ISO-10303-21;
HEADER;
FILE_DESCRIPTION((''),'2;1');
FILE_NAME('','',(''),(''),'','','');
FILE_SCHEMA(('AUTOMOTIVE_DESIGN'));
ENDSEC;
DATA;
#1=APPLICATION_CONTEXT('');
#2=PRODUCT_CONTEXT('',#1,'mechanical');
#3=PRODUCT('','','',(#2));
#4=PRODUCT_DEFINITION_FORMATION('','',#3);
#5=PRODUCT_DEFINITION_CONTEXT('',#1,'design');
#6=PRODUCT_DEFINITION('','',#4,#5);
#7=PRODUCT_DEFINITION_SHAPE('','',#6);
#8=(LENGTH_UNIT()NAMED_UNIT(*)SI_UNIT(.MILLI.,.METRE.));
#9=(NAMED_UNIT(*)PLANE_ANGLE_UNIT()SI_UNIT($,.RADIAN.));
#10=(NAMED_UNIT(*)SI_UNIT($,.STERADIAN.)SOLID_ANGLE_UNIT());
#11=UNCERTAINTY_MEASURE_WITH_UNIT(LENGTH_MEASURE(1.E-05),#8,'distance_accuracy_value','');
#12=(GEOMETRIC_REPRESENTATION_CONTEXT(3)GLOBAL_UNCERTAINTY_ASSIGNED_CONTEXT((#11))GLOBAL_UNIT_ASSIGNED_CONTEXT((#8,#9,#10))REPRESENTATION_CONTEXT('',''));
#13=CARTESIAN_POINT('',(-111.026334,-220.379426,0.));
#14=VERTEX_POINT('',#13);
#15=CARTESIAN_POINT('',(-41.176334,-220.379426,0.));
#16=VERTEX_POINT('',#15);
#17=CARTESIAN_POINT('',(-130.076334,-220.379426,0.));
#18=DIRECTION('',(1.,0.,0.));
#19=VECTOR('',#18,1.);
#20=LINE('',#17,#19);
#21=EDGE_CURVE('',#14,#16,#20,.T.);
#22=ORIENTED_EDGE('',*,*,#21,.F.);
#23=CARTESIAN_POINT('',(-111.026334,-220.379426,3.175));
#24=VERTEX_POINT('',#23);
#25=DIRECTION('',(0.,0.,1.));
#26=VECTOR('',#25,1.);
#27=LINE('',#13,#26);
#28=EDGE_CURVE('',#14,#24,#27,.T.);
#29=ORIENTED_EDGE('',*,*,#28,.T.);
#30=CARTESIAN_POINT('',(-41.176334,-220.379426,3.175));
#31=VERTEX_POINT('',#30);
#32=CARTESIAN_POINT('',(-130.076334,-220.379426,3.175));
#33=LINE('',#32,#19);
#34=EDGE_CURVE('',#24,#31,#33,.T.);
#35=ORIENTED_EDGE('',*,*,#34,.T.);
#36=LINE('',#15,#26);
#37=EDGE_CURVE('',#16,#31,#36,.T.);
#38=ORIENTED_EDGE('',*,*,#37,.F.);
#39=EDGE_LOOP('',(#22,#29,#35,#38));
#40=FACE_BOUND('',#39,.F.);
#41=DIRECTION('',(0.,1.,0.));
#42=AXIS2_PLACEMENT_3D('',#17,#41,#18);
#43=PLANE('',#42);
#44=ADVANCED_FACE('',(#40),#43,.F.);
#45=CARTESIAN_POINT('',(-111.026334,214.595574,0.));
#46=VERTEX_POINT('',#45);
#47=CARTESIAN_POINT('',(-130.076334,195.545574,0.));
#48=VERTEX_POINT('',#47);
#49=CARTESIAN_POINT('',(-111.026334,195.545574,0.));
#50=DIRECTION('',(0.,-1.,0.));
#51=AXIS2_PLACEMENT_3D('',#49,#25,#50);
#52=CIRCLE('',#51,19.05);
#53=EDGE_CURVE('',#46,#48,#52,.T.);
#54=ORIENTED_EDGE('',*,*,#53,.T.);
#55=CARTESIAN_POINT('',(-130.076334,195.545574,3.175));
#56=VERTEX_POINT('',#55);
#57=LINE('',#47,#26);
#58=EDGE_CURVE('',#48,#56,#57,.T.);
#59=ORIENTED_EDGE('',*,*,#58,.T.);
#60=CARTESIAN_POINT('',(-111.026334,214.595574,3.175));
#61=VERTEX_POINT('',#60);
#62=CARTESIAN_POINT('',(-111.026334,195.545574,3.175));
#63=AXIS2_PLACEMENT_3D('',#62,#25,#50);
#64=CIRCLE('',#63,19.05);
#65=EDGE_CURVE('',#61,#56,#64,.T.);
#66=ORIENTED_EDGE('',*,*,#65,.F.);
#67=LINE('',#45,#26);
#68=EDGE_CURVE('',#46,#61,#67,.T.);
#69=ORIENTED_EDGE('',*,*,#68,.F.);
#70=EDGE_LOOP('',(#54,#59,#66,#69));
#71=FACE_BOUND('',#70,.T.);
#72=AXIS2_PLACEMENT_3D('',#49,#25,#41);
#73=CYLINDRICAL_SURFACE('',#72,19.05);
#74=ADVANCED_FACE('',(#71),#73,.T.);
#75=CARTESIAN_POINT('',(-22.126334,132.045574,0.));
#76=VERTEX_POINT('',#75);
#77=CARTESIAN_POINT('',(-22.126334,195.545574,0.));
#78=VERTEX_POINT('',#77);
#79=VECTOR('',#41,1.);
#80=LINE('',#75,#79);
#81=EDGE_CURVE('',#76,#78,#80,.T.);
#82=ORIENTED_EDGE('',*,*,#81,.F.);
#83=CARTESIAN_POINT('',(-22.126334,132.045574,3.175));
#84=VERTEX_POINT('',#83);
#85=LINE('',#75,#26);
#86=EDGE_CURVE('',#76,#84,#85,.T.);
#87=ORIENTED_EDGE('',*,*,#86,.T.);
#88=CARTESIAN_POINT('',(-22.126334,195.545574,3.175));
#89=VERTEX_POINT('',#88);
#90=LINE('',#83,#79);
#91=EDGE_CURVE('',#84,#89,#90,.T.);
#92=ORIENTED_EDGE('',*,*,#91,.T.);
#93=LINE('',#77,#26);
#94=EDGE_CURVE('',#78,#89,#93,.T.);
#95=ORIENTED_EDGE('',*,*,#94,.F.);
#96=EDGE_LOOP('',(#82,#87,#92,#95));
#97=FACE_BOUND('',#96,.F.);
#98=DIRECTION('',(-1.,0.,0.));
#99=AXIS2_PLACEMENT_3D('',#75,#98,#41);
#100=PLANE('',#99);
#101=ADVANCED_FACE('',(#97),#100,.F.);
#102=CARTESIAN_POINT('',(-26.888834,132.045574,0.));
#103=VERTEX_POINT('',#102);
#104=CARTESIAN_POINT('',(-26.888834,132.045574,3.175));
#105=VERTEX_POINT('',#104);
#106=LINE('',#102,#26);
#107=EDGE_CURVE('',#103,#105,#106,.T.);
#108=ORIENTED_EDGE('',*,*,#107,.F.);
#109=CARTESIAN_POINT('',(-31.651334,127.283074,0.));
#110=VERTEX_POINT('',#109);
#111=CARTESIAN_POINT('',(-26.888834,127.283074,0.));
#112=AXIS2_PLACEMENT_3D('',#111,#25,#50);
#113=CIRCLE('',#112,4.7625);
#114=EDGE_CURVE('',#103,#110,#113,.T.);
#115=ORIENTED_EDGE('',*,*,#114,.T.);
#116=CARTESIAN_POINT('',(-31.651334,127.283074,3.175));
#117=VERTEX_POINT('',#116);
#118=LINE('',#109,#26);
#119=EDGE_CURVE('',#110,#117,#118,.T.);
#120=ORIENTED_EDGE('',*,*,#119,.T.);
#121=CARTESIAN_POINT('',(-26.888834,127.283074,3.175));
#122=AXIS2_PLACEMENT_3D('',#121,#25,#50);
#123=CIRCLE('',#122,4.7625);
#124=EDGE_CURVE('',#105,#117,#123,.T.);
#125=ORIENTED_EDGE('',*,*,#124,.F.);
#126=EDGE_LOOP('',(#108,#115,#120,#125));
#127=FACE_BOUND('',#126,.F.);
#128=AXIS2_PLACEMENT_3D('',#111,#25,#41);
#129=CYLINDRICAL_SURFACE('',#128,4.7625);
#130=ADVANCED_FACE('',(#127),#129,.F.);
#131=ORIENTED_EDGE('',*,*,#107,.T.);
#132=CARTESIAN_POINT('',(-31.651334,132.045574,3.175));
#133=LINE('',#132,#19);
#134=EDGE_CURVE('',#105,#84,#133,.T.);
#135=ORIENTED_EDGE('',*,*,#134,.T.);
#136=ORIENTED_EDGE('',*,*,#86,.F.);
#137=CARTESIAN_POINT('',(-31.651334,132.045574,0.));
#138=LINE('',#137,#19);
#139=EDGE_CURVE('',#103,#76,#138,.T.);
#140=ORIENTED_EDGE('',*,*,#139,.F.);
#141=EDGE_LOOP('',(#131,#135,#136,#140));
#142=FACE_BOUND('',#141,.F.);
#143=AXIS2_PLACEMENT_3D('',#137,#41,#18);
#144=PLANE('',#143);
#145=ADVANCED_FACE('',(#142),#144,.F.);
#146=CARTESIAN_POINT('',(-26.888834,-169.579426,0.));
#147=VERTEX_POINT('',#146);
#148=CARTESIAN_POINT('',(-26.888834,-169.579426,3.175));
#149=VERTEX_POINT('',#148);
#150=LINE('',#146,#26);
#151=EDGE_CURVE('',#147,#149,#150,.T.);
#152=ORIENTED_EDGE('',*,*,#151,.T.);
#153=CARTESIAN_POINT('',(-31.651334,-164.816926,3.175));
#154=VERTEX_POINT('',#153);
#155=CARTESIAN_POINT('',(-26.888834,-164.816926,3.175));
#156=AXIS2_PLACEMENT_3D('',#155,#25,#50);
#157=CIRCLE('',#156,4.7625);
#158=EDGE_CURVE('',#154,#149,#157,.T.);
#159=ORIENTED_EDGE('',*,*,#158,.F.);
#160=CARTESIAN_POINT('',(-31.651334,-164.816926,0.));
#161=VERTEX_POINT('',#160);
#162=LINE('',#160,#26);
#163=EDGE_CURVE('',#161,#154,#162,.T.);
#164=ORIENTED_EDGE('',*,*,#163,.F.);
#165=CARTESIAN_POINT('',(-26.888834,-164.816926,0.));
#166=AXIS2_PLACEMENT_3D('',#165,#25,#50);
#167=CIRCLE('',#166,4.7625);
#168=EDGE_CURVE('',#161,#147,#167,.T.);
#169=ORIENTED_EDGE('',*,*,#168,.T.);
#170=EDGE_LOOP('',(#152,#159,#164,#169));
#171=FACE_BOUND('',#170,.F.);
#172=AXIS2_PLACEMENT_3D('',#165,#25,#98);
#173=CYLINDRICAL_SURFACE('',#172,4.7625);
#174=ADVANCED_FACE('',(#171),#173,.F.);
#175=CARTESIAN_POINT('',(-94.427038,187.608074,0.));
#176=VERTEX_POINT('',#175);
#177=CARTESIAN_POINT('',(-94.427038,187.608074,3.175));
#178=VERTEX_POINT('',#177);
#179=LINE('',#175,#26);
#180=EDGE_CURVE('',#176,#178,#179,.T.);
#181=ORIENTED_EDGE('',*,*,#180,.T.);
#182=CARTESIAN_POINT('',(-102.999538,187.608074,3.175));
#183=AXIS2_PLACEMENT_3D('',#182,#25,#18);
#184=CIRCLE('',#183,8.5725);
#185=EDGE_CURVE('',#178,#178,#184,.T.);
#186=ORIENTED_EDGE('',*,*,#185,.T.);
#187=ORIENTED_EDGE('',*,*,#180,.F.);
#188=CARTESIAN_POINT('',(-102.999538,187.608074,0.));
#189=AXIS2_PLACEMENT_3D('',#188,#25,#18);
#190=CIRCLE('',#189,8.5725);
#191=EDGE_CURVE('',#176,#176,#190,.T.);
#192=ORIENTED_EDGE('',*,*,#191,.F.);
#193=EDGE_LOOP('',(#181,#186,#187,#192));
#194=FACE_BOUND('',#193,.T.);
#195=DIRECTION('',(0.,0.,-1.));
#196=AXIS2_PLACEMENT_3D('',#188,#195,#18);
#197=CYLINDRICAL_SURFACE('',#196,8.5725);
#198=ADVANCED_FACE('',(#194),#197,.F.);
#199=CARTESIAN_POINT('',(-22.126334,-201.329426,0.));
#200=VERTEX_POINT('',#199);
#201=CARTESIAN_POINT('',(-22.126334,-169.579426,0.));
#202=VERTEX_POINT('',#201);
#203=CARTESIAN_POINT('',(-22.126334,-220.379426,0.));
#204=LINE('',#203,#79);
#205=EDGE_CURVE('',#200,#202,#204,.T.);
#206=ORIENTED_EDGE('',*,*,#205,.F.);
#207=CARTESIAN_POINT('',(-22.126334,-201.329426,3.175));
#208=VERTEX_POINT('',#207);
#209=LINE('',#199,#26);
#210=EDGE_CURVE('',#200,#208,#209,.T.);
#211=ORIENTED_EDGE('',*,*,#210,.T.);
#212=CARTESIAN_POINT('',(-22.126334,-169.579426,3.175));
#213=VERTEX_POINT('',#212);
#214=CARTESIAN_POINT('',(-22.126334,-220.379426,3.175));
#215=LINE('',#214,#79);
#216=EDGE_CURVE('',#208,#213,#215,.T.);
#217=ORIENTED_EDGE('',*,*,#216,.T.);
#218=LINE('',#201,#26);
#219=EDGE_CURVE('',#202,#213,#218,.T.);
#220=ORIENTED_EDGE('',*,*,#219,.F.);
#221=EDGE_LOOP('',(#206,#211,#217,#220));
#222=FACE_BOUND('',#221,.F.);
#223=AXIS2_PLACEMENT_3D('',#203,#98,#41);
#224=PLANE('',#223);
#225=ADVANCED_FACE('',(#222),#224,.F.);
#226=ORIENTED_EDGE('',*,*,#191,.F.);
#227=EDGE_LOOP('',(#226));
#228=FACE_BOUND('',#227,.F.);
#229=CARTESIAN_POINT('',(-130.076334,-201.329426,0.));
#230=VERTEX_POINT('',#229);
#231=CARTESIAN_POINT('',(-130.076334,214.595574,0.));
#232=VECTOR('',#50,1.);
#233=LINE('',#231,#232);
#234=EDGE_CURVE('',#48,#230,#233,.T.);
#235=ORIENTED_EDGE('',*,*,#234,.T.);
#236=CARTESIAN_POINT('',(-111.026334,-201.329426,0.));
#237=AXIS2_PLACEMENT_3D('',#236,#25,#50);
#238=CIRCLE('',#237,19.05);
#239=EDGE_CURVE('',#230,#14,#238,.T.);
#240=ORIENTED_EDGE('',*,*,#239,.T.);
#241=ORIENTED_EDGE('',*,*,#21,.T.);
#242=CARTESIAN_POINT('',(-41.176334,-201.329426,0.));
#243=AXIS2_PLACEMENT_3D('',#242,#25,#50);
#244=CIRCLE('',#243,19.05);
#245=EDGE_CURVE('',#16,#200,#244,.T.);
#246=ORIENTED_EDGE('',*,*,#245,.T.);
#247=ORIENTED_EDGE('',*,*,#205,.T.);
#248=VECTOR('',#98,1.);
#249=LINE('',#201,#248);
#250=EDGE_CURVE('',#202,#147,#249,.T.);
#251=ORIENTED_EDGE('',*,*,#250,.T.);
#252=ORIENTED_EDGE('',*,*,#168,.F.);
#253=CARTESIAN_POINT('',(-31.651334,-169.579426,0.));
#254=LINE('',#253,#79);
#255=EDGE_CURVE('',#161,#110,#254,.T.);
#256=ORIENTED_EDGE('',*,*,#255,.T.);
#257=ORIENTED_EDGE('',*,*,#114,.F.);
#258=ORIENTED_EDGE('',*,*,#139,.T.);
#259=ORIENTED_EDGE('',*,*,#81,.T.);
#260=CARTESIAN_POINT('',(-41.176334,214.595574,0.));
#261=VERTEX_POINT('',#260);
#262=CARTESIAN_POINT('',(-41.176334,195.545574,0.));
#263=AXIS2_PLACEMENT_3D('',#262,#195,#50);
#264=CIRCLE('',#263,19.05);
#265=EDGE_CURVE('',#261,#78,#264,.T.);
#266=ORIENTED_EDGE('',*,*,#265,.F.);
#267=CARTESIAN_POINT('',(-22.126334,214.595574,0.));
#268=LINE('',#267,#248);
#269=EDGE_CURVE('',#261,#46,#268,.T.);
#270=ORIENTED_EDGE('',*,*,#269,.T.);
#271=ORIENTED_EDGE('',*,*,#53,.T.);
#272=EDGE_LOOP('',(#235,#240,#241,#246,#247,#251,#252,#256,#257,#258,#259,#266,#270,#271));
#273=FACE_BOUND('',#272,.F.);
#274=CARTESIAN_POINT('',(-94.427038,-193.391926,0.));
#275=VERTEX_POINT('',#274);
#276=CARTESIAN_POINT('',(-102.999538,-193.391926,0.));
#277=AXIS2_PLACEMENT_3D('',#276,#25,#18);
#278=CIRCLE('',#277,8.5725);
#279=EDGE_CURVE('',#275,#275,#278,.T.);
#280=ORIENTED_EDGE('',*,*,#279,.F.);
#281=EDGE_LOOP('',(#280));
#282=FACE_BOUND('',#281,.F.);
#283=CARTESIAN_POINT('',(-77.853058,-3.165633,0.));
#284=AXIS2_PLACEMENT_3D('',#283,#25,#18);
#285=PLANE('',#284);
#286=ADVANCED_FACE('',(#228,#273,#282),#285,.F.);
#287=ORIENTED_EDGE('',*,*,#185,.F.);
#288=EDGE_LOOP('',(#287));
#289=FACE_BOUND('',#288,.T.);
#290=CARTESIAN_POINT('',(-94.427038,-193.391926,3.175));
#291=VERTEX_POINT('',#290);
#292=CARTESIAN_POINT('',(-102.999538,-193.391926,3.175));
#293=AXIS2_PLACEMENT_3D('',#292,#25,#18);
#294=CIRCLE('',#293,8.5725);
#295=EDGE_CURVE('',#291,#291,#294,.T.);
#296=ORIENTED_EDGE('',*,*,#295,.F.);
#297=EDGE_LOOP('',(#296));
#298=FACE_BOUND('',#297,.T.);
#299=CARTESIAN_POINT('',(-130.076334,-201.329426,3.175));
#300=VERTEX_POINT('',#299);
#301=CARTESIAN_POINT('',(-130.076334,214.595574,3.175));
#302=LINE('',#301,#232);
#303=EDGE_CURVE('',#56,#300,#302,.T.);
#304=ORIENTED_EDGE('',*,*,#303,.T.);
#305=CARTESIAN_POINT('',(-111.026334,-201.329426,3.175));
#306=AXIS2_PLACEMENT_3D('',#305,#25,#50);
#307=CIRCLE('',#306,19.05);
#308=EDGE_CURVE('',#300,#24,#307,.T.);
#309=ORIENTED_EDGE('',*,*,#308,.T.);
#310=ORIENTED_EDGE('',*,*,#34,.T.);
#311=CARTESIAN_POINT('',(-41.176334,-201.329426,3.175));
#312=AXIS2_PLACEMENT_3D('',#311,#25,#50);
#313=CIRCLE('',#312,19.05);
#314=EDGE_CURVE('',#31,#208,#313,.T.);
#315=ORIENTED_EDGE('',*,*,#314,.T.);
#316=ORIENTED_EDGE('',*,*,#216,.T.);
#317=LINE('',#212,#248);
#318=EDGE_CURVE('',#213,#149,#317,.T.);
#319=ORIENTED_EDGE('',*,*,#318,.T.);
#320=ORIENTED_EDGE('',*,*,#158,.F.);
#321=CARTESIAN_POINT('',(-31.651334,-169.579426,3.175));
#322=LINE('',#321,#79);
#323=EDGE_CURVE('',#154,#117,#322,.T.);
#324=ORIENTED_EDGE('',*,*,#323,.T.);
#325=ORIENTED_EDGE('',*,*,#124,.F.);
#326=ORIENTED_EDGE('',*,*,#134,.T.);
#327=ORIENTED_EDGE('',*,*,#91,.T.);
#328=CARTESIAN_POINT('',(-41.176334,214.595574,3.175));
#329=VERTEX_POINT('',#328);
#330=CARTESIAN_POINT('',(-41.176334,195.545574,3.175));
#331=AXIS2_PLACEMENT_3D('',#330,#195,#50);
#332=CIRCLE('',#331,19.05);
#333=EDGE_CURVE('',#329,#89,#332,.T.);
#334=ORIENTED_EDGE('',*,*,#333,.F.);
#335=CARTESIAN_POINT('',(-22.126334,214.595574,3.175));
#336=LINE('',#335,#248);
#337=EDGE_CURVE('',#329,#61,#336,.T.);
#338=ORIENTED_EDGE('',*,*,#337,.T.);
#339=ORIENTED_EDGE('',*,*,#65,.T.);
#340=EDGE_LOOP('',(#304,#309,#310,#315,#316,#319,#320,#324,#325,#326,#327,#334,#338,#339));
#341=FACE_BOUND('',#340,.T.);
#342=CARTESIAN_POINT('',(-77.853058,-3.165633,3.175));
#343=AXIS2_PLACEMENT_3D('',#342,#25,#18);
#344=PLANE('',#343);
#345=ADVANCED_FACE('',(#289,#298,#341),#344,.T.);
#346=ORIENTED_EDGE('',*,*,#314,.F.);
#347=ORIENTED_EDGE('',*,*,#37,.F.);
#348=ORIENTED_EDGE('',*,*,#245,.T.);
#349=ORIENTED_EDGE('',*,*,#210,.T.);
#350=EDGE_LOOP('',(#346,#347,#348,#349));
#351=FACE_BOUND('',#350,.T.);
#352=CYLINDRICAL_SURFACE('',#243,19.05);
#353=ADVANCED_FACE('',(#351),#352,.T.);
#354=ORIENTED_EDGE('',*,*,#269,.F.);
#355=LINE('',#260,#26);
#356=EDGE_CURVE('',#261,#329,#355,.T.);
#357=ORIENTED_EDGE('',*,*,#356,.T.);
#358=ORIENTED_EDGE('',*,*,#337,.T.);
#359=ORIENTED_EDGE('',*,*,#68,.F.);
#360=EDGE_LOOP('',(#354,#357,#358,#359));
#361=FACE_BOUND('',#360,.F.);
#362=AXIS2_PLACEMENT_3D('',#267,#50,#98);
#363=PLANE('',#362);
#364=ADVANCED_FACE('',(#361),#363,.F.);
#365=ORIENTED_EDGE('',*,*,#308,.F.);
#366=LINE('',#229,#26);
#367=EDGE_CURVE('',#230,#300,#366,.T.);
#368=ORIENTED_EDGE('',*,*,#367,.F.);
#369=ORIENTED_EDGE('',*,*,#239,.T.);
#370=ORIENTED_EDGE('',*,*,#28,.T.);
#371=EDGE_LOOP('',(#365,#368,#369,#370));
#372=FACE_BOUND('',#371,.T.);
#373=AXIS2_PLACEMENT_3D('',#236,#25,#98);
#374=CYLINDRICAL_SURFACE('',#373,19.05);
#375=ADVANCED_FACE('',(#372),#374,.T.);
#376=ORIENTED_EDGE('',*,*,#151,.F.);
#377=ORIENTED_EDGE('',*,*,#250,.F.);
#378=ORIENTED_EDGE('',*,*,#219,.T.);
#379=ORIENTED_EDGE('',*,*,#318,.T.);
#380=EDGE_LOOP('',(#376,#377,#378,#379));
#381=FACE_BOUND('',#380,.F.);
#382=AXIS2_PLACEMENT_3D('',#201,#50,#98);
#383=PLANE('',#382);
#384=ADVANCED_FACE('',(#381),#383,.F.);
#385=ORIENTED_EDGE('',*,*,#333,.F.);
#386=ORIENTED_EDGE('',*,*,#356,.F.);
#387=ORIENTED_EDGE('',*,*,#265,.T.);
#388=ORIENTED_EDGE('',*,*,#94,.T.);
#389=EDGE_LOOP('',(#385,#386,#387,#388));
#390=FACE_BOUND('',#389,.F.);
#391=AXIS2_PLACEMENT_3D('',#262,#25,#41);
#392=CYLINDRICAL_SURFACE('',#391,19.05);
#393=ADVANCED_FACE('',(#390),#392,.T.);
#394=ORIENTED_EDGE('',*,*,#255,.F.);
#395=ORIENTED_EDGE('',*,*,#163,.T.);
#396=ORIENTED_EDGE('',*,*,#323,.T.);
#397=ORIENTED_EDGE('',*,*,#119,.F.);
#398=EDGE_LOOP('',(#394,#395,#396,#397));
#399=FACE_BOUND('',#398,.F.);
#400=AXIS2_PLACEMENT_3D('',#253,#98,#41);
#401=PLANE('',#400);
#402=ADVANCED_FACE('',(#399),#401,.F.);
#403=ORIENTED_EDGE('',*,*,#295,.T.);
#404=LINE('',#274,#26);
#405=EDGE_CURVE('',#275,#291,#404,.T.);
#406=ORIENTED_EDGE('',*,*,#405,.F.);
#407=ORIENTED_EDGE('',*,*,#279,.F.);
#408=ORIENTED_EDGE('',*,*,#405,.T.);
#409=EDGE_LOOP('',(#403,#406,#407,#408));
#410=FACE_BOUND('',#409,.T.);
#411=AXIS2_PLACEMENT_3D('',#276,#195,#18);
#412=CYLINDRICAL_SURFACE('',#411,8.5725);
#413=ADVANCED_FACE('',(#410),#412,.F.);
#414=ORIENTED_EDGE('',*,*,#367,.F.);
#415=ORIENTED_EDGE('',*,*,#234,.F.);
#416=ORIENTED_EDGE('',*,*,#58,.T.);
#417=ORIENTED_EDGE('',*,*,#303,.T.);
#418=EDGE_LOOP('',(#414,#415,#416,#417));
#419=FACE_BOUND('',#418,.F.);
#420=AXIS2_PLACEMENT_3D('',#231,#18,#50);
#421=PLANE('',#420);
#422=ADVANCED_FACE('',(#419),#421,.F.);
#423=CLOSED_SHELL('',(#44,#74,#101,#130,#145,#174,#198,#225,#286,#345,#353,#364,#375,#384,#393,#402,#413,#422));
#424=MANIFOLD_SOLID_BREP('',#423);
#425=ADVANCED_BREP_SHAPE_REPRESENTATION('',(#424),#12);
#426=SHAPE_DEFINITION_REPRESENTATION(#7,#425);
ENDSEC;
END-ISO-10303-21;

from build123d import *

# Parameters (mm, degrees)
F0_R     = 8.5725
F1_DEPTH = 3.175
F2_R     = 19.05
F3_R     = 4.7625


with BuildPart() as f1:
    # F0 (on Top) → F1 (new body)
    with BuildSketch(Plane.XY):
        Polygon((-22.126334, 214.595574), (-130.076334, 214.595574), (-130.076334, -220.379426), (-22.126334, -220.379426), (-22.126334, -169.579426), (-31.651334, -169.579426), (-31.651334, 132.045574), (-22.126334, 132.045574), align=None)
        with Locations((-102.999538, -193.391926)):
            Circle(F0_R, mode=Mode.SUBTRACT)
        with Locations((-102.999538, 187.608074)):
            Circle(F0_R, mode=Mode.SUBTRACT)
    extrude(amount=F1_DEPTH)

    # F2
    f2_edges = [f1.edges().sort_by_distance(p)[0] for p in [
        (-130.076334, -220.379426, 1.5875),
        (-22.126334, -220.379426, 1.5875),
        (-130.076334, 214.595574, 1.5875),
        (-22.126334, 214.595574, 1.5875),
    ]]
    fillet(f2_edges, radius=F2_R)

    # F3
    f3_edges = [f1.edges().sort_by_distance(p)[0] for p in [
        (-31.651334, -169.579426, 1.5875),
        (-31.651334, 132.045574, 1.5875),
    ]]
    fillet(f3_edges, radius=F3_R)


solid = f1.part
